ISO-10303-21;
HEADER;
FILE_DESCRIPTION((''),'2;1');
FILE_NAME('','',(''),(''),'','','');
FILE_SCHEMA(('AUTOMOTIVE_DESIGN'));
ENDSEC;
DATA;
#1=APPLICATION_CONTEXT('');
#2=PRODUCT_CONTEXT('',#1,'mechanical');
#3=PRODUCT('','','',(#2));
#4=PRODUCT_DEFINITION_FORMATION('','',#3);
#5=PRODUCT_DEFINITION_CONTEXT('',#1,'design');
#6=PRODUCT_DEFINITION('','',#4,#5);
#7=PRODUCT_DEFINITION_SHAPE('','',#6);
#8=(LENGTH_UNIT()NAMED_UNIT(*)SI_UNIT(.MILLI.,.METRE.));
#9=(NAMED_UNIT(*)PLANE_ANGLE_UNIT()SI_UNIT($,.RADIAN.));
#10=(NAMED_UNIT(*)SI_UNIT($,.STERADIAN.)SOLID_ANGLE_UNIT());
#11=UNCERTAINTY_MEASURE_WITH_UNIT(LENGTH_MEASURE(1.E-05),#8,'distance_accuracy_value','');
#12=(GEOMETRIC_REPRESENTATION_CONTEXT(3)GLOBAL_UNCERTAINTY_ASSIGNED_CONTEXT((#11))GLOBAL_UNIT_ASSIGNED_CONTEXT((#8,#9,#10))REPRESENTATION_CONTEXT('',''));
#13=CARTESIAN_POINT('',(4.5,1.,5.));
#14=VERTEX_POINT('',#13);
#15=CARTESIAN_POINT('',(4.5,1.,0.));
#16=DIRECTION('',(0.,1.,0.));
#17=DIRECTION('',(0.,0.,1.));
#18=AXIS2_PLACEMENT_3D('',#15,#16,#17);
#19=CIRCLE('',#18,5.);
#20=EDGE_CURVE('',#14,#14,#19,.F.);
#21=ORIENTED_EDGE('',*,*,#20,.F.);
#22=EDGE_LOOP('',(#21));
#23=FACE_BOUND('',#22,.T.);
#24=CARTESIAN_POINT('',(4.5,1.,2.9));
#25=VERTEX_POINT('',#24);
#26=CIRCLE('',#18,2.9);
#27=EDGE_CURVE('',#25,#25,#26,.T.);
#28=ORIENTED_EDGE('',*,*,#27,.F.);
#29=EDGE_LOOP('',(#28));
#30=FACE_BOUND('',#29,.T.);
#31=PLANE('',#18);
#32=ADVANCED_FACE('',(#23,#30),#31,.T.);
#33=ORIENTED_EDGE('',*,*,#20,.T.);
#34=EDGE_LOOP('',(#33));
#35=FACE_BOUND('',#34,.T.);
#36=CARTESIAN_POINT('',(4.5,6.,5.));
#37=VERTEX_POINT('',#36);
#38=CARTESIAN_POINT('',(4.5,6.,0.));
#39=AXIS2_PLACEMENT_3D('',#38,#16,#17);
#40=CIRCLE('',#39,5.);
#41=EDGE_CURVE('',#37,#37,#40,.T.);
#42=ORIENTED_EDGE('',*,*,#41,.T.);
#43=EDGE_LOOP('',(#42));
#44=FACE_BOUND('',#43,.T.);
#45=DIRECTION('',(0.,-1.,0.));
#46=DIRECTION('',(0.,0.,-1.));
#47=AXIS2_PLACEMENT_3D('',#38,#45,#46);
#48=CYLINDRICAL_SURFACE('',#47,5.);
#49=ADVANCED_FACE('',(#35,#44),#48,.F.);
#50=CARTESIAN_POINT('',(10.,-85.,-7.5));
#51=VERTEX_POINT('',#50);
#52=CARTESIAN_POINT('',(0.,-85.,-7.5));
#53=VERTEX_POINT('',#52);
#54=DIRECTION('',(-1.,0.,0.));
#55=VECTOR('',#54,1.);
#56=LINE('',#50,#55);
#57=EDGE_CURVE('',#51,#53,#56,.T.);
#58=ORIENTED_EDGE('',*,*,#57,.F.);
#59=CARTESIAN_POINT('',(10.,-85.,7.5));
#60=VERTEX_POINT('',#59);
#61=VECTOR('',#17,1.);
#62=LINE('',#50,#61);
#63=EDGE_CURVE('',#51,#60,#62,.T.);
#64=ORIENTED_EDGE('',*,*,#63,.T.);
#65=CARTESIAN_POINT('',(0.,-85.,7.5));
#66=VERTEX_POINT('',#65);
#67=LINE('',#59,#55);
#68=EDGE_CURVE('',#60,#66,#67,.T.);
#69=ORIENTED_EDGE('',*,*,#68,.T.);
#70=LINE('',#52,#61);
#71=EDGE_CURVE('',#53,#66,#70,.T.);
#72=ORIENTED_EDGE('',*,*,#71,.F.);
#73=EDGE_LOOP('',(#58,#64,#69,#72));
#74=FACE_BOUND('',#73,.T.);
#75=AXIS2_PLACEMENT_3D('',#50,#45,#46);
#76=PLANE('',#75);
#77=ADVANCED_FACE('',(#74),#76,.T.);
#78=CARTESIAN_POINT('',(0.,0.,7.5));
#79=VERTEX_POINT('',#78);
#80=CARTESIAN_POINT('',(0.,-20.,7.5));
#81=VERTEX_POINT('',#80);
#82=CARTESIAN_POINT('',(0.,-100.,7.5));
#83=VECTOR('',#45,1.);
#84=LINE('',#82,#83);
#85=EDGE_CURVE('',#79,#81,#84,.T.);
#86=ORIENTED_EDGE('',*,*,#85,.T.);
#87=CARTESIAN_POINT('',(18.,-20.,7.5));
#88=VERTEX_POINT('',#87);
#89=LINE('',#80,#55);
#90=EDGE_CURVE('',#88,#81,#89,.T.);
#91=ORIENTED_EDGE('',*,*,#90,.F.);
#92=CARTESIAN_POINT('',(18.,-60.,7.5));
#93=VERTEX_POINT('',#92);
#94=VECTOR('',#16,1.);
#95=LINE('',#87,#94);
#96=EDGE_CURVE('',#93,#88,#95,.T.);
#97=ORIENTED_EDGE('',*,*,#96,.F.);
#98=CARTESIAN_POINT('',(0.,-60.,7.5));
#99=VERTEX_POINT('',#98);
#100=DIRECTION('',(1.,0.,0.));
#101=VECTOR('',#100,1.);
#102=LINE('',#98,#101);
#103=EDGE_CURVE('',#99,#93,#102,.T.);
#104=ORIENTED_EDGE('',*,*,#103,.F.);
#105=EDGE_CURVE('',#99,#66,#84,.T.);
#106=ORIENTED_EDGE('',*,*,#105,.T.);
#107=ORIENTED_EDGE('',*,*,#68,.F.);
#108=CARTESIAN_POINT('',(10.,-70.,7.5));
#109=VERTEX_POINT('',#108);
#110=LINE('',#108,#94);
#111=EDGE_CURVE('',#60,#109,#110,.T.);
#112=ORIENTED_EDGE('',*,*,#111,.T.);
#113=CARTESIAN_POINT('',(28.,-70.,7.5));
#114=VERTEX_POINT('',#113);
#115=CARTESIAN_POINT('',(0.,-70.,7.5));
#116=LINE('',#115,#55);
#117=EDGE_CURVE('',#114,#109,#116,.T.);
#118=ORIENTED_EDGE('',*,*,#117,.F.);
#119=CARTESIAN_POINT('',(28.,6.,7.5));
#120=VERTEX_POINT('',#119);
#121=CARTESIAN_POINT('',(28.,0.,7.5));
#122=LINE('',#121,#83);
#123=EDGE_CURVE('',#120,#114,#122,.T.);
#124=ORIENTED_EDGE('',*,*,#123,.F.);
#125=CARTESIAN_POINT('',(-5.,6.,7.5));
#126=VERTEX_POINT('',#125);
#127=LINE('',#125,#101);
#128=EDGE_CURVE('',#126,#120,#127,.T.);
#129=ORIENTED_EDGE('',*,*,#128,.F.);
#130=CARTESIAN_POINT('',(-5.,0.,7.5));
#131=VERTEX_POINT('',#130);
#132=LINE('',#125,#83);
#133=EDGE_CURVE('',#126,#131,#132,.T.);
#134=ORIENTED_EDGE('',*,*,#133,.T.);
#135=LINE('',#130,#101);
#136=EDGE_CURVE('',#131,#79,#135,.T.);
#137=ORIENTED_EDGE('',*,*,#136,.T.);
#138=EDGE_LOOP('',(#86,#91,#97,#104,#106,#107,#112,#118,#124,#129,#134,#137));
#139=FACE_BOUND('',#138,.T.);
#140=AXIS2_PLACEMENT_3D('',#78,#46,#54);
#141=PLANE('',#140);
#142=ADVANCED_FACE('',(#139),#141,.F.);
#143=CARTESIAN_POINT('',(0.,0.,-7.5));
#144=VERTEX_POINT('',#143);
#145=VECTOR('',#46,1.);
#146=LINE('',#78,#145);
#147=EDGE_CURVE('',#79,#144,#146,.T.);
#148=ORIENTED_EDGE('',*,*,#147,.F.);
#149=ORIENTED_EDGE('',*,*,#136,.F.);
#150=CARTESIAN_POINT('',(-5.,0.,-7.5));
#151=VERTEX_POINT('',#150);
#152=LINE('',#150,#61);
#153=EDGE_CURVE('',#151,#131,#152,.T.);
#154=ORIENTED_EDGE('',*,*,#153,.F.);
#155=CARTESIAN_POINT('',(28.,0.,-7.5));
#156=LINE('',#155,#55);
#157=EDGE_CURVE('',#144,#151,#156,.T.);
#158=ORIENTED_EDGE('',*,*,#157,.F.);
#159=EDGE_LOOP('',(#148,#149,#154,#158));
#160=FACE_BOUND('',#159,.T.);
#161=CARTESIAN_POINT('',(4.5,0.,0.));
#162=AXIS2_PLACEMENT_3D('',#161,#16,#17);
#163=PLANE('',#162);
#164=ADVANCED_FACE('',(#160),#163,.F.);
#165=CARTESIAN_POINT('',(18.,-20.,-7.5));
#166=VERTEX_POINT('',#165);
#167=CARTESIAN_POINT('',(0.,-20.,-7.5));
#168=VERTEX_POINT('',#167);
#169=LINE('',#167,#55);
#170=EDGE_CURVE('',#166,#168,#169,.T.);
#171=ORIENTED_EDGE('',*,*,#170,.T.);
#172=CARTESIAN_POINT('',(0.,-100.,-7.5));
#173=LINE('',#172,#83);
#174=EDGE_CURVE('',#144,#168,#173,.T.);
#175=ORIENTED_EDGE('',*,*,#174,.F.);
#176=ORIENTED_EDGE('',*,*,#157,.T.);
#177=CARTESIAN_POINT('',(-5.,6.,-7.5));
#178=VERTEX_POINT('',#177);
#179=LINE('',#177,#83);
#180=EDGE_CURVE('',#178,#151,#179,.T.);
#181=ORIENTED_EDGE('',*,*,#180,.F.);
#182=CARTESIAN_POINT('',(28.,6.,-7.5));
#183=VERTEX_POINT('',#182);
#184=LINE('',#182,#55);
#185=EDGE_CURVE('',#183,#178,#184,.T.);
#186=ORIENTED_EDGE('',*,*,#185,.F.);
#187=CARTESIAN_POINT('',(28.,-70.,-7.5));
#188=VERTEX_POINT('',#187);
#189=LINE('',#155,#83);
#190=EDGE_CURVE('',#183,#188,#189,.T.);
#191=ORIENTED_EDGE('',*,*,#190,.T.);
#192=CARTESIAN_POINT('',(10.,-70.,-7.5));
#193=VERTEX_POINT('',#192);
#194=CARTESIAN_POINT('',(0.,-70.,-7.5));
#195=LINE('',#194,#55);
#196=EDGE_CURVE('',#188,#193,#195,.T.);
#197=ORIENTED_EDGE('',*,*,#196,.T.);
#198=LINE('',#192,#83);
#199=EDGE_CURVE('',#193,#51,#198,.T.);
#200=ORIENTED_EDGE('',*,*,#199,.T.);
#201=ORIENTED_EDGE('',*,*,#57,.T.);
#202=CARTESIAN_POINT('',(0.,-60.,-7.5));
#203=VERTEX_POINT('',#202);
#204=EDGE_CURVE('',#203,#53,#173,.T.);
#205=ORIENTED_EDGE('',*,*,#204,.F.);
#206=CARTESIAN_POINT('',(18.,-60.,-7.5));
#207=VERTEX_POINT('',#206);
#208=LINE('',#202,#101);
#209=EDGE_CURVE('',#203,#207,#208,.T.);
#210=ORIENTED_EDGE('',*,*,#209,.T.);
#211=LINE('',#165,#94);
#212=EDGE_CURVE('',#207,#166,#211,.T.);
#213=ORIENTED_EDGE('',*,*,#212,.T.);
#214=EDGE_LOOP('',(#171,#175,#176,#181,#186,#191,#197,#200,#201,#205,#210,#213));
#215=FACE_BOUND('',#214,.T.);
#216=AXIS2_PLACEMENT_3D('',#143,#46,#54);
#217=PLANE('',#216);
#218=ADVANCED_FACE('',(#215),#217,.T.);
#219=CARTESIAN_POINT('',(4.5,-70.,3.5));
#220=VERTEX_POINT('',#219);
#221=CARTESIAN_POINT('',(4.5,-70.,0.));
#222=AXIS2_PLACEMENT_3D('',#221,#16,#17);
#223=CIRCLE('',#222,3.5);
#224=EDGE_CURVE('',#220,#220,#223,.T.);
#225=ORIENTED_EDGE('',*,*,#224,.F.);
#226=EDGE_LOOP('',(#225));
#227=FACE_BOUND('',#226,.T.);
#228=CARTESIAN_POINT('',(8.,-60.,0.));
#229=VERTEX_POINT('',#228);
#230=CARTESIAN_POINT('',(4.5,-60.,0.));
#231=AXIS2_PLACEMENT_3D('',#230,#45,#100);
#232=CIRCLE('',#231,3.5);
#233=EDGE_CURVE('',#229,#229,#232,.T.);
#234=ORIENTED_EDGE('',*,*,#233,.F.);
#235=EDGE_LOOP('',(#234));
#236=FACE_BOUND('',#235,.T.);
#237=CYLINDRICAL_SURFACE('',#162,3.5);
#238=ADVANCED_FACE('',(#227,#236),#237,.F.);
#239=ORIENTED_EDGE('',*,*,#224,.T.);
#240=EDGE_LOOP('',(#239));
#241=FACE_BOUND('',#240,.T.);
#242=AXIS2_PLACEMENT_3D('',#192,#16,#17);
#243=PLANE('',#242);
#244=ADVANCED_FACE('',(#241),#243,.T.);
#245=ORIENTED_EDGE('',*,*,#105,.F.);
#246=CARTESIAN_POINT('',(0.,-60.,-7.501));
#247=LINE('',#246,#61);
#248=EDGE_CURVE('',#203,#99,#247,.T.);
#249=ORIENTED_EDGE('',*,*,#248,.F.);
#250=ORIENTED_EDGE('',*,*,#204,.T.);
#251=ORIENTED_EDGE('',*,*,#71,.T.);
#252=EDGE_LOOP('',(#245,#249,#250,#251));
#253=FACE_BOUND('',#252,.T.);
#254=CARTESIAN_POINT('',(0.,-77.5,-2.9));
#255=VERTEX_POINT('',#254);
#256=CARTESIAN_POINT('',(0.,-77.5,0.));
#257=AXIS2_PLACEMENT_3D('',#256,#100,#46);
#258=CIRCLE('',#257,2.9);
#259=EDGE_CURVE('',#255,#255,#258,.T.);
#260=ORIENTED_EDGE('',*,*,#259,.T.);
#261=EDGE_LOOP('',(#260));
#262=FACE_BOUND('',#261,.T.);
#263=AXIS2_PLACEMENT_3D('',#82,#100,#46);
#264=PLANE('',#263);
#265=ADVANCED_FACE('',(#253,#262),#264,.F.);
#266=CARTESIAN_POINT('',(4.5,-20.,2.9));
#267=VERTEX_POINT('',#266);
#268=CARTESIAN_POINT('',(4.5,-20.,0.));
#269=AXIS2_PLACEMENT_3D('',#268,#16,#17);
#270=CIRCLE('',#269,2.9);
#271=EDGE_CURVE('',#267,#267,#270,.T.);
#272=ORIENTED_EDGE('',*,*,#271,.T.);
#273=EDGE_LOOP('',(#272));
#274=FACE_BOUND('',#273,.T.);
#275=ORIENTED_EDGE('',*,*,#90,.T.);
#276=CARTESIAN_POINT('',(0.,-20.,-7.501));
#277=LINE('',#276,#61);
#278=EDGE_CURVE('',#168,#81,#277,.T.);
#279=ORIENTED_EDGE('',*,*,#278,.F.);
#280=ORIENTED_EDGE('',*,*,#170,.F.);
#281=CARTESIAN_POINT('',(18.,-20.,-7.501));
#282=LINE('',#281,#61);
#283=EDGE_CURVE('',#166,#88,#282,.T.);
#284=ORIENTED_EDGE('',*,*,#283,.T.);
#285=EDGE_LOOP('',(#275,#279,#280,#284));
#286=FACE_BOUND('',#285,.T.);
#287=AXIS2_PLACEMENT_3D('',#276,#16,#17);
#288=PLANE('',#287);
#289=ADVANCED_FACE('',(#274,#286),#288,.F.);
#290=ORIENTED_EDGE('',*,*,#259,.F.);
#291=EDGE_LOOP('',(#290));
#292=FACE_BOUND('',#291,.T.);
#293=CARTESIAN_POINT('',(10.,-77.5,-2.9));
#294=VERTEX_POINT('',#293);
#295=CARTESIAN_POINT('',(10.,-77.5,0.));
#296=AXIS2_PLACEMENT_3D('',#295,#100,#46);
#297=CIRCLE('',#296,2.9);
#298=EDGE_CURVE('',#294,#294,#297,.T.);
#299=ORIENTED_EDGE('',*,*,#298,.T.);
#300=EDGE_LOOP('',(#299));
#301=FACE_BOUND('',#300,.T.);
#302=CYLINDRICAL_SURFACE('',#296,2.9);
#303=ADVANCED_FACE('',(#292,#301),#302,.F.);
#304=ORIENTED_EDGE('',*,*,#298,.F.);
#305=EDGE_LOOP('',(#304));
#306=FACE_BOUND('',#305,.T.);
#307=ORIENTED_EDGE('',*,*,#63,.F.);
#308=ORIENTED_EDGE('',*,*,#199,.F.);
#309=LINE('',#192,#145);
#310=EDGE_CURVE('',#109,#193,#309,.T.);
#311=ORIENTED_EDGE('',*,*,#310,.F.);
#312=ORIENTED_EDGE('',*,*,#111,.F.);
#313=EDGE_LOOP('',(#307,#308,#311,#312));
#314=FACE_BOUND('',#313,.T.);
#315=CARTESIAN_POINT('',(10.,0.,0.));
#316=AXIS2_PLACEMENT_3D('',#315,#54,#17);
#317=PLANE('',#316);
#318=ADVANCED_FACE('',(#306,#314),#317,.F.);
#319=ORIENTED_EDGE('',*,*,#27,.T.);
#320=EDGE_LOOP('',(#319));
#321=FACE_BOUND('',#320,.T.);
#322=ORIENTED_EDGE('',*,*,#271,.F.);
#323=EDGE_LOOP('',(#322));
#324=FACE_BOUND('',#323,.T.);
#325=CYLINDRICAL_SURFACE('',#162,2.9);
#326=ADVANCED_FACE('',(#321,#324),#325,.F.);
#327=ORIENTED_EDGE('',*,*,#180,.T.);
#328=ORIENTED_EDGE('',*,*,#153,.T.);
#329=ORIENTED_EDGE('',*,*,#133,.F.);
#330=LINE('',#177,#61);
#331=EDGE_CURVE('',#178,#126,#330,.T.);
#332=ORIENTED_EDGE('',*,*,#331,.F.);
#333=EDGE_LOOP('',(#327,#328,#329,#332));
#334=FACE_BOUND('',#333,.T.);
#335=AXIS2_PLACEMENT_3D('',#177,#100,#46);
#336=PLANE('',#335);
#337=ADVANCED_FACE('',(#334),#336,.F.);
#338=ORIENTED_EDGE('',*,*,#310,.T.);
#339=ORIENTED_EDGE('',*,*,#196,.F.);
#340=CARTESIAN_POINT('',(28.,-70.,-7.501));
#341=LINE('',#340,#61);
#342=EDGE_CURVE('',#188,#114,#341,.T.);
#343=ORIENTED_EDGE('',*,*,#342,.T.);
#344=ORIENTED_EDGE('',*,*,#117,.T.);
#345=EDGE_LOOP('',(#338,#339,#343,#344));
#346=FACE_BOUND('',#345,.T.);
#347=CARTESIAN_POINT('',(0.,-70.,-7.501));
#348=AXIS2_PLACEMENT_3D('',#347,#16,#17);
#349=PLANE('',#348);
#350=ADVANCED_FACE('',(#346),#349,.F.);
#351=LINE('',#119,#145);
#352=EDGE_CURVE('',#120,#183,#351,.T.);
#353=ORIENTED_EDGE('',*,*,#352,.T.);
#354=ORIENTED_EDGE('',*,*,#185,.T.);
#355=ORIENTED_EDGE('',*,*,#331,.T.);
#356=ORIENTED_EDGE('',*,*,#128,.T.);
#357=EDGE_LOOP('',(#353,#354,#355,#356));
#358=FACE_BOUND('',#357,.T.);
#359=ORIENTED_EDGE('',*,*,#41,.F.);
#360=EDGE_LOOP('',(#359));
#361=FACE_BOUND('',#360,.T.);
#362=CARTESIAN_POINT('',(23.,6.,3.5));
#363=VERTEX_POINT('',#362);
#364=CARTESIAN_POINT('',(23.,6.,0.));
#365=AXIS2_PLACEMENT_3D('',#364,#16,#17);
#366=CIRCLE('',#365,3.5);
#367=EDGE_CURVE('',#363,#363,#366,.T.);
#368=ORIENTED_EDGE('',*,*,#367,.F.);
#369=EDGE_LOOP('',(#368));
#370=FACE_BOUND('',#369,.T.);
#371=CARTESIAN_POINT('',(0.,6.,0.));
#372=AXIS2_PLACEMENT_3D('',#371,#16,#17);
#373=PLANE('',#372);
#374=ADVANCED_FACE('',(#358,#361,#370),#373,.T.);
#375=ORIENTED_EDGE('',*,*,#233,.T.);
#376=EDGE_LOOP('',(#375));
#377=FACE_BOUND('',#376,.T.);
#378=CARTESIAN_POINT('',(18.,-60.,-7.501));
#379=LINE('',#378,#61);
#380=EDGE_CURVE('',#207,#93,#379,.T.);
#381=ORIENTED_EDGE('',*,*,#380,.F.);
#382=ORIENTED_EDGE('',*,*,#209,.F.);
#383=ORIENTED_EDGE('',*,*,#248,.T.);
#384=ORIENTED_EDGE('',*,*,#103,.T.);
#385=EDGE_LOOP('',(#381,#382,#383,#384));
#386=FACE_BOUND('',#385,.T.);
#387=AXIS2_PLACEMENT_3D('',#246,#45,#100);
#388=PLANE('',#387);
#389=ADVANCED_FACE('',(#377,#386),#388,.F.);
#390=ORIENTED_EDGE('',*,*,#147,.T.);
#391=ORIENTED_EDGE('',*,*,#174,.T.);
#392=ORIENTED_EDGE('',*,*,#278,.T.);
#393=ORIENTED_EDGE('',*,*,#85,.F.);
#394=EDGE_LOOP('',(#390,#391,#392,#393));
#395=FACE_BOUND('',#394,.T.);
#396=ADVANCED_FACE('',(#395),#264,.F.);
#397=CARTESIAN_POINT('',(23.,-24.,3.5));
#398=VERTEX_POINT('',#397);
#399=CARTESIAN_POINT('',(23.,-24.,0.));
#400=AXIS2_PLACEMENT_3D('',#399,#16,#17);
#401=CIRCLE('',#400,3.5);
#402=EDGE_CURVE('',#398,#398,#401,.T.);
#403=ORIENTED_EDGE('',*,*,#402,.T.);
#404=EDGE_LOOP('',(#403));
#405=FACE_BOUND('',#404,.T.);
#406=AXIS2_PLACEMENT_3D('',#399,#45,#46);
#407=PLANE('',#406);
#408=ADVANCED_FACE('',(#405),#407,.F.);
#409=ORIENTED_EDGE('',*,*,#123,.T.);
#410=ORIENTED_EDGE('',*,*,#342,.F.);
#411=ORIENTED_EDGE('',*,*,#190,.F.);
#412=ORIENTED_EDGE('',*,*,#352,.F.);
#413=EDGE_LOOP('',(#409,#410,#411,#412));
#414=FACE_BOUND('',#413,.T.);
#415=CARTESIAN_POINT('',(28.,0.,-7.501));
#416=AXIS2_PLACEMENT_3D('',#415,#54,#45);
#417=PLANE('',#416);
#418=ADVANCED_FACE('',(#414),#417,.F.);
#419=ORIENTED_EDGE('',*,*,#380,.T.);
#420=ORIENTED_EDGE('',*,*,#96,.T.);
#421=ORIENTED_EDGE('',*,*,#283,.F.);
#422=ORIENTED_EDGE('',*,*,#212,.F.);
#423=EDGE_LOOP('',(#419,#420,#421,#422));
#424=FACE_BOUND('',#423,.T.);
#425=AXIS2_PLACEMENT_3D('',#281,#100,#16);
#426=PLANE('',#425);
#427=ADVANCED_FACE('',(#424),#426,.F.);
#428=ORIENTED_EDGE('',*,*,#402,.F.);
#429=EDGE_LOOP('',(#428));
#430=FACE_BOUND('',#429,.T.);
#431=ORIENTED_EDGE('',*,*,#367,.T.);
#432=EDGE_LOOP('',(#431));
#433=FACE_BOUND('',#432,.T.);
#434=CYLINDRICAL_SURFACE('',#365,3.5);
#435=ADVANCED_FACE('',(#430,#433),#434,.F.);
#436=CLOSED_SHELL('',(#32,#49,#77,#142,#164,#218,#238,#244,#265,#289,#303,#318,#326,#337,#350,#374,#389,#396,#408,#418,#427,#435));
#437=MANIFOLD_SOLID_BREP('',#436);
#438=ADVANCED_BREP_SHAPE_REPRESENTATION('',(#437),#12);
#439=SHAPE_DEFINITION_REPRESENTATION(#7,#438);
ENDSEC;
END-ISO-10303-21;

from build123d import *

# Parameters (mm, degrees)
BOSS_EXTRUDE1_DEPTH          = 7.5
CUT_EXTRUDE1_REACH           = 158.924
SKETCH2_W                    = 18
SKETCH2_H                    = 40
M5_CLEARANCE_HOLE1_D         = 5.8
CUT_EXTRUDE2_REACH           = 158.924
F_7_0_7_DIAMETER_HOLE1_D     = 7
F_7_0_7_DIAMETER_HOLE1_DEPTH = 20
MOVE_FACE1_BY                = 0.6
CUT_EXTRUDE3_REACH           = 141.732
SKETCH14_W                   = 15
SKETCH14_H                   = 15
BOSS_EXTRUDE2_DEPTH          = 10
M5_CLEARANCE_HOLE2_D         = 5.8
SKETCH18_W                   = 33
SKETCH18_H                   = 15
SKETCH18_R                   = 5
BOSS_EXTRUDE3_DEPTH          = 6
SKETCH19_R                   = 5
SKETCH19_R_2                 = 2.9
BOSS_EXTRUDE4_DEPTH          = 1
F_7_0_7_DIAMETER_HOLE2_D     = 7
F_7_0_7_DIAMETER_HOLE2_DEPTH = 30


with BuildPart() as part:
    # Sketch1 → Boss-Extrude1 (new, symmetric)
    with BuildSketch(Plane.XY):
        Polygon((0, 0), (120, 0), (0, -100), align=None)
    extrude(amount=BOSS_EXTRUDE1_DEPTH, both=True)

    # Sketch2 → Cut-Extrude1 (cut, up to next)
    with BuildSketch(Plane.XY.offset(7.5), mode=Mode.PRIVATE) as cut_extrude1_sk1:
        with Locations((9, -40)):
            Rectangle(SKETCH2_W, SKETCH2_H)
    cut_extrude1_tool1 = extrude(cut_extrude1_sk1.sketch, amount=-CUT_EXTRUDE1_REACH, mode=Mode.PRIVATE) & part.part
    add(cut_extrude1_tool1.solids().sort_by_distance((9, -40, 7.5))[0], mode=Mode.SUBTRACT)

    # M5 Clearance Hole1 (through all)
    with Locations(Plane(origin=(0, 0, 0), x_dir=(1, 0, 0), z_dir=(0, 1, 0))):
        with Locations((4.5, 0)):
            Hole(M5_CLEARANCE_HOLE1_D / 2)

    # Sketch8 → Cut-Extrude2 (cut, up to next)
    with BuildSketch(Plane.XY.offset(7.5), mode=Mode.PRIVATE) as cut_extrude2_sk1:
        Polygon((0, -70), (36, -70), (0, -100), align=None)
    cut_extrude2_tool1 = extrude(cut_extrude2_sk1.sketch, amount=-CUT_EXTRUDE2_REACH, mode=Mode.PRIVATE) & part.part
    add(cut_extrude2_tool1.solids().sort_by_distance((12, -80, 7.5))[0], mode=Mode.SUBTRACT)

    # Ø7.0 (7) Diameter Hole1
    with Locations(Plane(origin=(0, 0, 0), x_dir=(1, 0, 0), z_dir=(0, 1, 0))):
        with Locations((60, 0)):
            Hole(F_7_0_7_DIAMETER_HOLE1_D / 2, depth=F_7_0_7_DIAMETER_HOLE1_DEPTH)

    # Move Face1: a curved face moved inward by 0.6
    add(Solid.thicken(part.faces().sort_by_distance((7.4, -65, 0))[0], -MOVE_FACE1_BY), mode=Mode.SUBTRACT)

    # Sketch13 → Cut-Extrude3 (cut, up to next)
    with BuildSketch(Plane.XY.offset(7.5), mode=Mode.PRIVATE) as cut_extrude3_sk1:
        Polygon((28, 0), (28, -70), (36, -70), (120, 0), align=None)
    cut_extrude3_tool1 = extrude(cut_extrude3_sk1.sketch, amount=-CUT_EXTRUDE3_REACH, mode=Mode.PRIVATE) & part.part
    add(cut_extrude3_tool1.solids().sort_by_distance((58.88, -25.2, 7.5))[0], mode=Mode.SUBTRACT)

    # Sketch14 → Boss-Extrude2 (add)
    with BuildSketch(Plane.ZY):
        with Locations((0, -77.5)):
            Rectangle(SKETCH14_W, SKETCH14_H)
    extrude(amount=-BOSS_EXTRUDE2_DEPTH)

    # M5 Clearance Hole2 (through all)
    with Locations(Plane(origin=(10, 0, 0), x_dir=(0, 0, -1), z_dir=(1, 0, 0))):
        with Locations((0, -77.5)):
            Hole(M5_CLEARANCE_HOLE2_D / 2)



with BuildPart() as body_2:
    # Sketch18 → Boss-Extrude3 (new body)
    with BuildSketch(Plane(origin=(0, 0, 0), x_dir=(1, 0, 0), z_dir=(0, 1, 0))):
        with Locations((11.5, 0)):
            Rectangle(SKETCH18_W, SKETCH18_H)
        with Locations(Location((4.5, 0, 0), (0, 0, 270))):
            Circle(SKETCH18_R, mode=Mode.SUBTRACT)
    extrude(amount=BOSS_EXTRUDE3_DEPTH)


with BuildPart() as part_1:
    add(part.part)

    add(body_2.part)  # Boss-Extrude4 merges body 2
    # Sketch19 → Boss-Extrude4 (add)
    with BuildSketch(Plane(origin=(0, 0, 0), x_dir=(1, 0, 0), z_dir=(0, 1, 0))):
        with Locations(Location((4.5, 0, 0), (0, 0, 270))):
            Circle(SKETCH19_R)
        with Locations(Location((4.5, 0, 0), (0, 0, 270))):
            Circle(SKETCH19_R_2, mode=Mode.SUBTRACT)
    extrude(amount=BOSS_EXTRUDE4_DEPTH)

    # Ø7.0 (7) Diameter Hole2
    with Locations(Plane(origin=(0, 6, 0), x_dir=(1, 0, 0), z_dir=(0, 1, 0))):
        with Locations((23, 0)):
            Hole(F_7_0_7_DIAMETER_HOLE2_D / 2, depth=F_7_0_7_DIAMETER_HOLE2_DEPTH)


solid = part_1.part
